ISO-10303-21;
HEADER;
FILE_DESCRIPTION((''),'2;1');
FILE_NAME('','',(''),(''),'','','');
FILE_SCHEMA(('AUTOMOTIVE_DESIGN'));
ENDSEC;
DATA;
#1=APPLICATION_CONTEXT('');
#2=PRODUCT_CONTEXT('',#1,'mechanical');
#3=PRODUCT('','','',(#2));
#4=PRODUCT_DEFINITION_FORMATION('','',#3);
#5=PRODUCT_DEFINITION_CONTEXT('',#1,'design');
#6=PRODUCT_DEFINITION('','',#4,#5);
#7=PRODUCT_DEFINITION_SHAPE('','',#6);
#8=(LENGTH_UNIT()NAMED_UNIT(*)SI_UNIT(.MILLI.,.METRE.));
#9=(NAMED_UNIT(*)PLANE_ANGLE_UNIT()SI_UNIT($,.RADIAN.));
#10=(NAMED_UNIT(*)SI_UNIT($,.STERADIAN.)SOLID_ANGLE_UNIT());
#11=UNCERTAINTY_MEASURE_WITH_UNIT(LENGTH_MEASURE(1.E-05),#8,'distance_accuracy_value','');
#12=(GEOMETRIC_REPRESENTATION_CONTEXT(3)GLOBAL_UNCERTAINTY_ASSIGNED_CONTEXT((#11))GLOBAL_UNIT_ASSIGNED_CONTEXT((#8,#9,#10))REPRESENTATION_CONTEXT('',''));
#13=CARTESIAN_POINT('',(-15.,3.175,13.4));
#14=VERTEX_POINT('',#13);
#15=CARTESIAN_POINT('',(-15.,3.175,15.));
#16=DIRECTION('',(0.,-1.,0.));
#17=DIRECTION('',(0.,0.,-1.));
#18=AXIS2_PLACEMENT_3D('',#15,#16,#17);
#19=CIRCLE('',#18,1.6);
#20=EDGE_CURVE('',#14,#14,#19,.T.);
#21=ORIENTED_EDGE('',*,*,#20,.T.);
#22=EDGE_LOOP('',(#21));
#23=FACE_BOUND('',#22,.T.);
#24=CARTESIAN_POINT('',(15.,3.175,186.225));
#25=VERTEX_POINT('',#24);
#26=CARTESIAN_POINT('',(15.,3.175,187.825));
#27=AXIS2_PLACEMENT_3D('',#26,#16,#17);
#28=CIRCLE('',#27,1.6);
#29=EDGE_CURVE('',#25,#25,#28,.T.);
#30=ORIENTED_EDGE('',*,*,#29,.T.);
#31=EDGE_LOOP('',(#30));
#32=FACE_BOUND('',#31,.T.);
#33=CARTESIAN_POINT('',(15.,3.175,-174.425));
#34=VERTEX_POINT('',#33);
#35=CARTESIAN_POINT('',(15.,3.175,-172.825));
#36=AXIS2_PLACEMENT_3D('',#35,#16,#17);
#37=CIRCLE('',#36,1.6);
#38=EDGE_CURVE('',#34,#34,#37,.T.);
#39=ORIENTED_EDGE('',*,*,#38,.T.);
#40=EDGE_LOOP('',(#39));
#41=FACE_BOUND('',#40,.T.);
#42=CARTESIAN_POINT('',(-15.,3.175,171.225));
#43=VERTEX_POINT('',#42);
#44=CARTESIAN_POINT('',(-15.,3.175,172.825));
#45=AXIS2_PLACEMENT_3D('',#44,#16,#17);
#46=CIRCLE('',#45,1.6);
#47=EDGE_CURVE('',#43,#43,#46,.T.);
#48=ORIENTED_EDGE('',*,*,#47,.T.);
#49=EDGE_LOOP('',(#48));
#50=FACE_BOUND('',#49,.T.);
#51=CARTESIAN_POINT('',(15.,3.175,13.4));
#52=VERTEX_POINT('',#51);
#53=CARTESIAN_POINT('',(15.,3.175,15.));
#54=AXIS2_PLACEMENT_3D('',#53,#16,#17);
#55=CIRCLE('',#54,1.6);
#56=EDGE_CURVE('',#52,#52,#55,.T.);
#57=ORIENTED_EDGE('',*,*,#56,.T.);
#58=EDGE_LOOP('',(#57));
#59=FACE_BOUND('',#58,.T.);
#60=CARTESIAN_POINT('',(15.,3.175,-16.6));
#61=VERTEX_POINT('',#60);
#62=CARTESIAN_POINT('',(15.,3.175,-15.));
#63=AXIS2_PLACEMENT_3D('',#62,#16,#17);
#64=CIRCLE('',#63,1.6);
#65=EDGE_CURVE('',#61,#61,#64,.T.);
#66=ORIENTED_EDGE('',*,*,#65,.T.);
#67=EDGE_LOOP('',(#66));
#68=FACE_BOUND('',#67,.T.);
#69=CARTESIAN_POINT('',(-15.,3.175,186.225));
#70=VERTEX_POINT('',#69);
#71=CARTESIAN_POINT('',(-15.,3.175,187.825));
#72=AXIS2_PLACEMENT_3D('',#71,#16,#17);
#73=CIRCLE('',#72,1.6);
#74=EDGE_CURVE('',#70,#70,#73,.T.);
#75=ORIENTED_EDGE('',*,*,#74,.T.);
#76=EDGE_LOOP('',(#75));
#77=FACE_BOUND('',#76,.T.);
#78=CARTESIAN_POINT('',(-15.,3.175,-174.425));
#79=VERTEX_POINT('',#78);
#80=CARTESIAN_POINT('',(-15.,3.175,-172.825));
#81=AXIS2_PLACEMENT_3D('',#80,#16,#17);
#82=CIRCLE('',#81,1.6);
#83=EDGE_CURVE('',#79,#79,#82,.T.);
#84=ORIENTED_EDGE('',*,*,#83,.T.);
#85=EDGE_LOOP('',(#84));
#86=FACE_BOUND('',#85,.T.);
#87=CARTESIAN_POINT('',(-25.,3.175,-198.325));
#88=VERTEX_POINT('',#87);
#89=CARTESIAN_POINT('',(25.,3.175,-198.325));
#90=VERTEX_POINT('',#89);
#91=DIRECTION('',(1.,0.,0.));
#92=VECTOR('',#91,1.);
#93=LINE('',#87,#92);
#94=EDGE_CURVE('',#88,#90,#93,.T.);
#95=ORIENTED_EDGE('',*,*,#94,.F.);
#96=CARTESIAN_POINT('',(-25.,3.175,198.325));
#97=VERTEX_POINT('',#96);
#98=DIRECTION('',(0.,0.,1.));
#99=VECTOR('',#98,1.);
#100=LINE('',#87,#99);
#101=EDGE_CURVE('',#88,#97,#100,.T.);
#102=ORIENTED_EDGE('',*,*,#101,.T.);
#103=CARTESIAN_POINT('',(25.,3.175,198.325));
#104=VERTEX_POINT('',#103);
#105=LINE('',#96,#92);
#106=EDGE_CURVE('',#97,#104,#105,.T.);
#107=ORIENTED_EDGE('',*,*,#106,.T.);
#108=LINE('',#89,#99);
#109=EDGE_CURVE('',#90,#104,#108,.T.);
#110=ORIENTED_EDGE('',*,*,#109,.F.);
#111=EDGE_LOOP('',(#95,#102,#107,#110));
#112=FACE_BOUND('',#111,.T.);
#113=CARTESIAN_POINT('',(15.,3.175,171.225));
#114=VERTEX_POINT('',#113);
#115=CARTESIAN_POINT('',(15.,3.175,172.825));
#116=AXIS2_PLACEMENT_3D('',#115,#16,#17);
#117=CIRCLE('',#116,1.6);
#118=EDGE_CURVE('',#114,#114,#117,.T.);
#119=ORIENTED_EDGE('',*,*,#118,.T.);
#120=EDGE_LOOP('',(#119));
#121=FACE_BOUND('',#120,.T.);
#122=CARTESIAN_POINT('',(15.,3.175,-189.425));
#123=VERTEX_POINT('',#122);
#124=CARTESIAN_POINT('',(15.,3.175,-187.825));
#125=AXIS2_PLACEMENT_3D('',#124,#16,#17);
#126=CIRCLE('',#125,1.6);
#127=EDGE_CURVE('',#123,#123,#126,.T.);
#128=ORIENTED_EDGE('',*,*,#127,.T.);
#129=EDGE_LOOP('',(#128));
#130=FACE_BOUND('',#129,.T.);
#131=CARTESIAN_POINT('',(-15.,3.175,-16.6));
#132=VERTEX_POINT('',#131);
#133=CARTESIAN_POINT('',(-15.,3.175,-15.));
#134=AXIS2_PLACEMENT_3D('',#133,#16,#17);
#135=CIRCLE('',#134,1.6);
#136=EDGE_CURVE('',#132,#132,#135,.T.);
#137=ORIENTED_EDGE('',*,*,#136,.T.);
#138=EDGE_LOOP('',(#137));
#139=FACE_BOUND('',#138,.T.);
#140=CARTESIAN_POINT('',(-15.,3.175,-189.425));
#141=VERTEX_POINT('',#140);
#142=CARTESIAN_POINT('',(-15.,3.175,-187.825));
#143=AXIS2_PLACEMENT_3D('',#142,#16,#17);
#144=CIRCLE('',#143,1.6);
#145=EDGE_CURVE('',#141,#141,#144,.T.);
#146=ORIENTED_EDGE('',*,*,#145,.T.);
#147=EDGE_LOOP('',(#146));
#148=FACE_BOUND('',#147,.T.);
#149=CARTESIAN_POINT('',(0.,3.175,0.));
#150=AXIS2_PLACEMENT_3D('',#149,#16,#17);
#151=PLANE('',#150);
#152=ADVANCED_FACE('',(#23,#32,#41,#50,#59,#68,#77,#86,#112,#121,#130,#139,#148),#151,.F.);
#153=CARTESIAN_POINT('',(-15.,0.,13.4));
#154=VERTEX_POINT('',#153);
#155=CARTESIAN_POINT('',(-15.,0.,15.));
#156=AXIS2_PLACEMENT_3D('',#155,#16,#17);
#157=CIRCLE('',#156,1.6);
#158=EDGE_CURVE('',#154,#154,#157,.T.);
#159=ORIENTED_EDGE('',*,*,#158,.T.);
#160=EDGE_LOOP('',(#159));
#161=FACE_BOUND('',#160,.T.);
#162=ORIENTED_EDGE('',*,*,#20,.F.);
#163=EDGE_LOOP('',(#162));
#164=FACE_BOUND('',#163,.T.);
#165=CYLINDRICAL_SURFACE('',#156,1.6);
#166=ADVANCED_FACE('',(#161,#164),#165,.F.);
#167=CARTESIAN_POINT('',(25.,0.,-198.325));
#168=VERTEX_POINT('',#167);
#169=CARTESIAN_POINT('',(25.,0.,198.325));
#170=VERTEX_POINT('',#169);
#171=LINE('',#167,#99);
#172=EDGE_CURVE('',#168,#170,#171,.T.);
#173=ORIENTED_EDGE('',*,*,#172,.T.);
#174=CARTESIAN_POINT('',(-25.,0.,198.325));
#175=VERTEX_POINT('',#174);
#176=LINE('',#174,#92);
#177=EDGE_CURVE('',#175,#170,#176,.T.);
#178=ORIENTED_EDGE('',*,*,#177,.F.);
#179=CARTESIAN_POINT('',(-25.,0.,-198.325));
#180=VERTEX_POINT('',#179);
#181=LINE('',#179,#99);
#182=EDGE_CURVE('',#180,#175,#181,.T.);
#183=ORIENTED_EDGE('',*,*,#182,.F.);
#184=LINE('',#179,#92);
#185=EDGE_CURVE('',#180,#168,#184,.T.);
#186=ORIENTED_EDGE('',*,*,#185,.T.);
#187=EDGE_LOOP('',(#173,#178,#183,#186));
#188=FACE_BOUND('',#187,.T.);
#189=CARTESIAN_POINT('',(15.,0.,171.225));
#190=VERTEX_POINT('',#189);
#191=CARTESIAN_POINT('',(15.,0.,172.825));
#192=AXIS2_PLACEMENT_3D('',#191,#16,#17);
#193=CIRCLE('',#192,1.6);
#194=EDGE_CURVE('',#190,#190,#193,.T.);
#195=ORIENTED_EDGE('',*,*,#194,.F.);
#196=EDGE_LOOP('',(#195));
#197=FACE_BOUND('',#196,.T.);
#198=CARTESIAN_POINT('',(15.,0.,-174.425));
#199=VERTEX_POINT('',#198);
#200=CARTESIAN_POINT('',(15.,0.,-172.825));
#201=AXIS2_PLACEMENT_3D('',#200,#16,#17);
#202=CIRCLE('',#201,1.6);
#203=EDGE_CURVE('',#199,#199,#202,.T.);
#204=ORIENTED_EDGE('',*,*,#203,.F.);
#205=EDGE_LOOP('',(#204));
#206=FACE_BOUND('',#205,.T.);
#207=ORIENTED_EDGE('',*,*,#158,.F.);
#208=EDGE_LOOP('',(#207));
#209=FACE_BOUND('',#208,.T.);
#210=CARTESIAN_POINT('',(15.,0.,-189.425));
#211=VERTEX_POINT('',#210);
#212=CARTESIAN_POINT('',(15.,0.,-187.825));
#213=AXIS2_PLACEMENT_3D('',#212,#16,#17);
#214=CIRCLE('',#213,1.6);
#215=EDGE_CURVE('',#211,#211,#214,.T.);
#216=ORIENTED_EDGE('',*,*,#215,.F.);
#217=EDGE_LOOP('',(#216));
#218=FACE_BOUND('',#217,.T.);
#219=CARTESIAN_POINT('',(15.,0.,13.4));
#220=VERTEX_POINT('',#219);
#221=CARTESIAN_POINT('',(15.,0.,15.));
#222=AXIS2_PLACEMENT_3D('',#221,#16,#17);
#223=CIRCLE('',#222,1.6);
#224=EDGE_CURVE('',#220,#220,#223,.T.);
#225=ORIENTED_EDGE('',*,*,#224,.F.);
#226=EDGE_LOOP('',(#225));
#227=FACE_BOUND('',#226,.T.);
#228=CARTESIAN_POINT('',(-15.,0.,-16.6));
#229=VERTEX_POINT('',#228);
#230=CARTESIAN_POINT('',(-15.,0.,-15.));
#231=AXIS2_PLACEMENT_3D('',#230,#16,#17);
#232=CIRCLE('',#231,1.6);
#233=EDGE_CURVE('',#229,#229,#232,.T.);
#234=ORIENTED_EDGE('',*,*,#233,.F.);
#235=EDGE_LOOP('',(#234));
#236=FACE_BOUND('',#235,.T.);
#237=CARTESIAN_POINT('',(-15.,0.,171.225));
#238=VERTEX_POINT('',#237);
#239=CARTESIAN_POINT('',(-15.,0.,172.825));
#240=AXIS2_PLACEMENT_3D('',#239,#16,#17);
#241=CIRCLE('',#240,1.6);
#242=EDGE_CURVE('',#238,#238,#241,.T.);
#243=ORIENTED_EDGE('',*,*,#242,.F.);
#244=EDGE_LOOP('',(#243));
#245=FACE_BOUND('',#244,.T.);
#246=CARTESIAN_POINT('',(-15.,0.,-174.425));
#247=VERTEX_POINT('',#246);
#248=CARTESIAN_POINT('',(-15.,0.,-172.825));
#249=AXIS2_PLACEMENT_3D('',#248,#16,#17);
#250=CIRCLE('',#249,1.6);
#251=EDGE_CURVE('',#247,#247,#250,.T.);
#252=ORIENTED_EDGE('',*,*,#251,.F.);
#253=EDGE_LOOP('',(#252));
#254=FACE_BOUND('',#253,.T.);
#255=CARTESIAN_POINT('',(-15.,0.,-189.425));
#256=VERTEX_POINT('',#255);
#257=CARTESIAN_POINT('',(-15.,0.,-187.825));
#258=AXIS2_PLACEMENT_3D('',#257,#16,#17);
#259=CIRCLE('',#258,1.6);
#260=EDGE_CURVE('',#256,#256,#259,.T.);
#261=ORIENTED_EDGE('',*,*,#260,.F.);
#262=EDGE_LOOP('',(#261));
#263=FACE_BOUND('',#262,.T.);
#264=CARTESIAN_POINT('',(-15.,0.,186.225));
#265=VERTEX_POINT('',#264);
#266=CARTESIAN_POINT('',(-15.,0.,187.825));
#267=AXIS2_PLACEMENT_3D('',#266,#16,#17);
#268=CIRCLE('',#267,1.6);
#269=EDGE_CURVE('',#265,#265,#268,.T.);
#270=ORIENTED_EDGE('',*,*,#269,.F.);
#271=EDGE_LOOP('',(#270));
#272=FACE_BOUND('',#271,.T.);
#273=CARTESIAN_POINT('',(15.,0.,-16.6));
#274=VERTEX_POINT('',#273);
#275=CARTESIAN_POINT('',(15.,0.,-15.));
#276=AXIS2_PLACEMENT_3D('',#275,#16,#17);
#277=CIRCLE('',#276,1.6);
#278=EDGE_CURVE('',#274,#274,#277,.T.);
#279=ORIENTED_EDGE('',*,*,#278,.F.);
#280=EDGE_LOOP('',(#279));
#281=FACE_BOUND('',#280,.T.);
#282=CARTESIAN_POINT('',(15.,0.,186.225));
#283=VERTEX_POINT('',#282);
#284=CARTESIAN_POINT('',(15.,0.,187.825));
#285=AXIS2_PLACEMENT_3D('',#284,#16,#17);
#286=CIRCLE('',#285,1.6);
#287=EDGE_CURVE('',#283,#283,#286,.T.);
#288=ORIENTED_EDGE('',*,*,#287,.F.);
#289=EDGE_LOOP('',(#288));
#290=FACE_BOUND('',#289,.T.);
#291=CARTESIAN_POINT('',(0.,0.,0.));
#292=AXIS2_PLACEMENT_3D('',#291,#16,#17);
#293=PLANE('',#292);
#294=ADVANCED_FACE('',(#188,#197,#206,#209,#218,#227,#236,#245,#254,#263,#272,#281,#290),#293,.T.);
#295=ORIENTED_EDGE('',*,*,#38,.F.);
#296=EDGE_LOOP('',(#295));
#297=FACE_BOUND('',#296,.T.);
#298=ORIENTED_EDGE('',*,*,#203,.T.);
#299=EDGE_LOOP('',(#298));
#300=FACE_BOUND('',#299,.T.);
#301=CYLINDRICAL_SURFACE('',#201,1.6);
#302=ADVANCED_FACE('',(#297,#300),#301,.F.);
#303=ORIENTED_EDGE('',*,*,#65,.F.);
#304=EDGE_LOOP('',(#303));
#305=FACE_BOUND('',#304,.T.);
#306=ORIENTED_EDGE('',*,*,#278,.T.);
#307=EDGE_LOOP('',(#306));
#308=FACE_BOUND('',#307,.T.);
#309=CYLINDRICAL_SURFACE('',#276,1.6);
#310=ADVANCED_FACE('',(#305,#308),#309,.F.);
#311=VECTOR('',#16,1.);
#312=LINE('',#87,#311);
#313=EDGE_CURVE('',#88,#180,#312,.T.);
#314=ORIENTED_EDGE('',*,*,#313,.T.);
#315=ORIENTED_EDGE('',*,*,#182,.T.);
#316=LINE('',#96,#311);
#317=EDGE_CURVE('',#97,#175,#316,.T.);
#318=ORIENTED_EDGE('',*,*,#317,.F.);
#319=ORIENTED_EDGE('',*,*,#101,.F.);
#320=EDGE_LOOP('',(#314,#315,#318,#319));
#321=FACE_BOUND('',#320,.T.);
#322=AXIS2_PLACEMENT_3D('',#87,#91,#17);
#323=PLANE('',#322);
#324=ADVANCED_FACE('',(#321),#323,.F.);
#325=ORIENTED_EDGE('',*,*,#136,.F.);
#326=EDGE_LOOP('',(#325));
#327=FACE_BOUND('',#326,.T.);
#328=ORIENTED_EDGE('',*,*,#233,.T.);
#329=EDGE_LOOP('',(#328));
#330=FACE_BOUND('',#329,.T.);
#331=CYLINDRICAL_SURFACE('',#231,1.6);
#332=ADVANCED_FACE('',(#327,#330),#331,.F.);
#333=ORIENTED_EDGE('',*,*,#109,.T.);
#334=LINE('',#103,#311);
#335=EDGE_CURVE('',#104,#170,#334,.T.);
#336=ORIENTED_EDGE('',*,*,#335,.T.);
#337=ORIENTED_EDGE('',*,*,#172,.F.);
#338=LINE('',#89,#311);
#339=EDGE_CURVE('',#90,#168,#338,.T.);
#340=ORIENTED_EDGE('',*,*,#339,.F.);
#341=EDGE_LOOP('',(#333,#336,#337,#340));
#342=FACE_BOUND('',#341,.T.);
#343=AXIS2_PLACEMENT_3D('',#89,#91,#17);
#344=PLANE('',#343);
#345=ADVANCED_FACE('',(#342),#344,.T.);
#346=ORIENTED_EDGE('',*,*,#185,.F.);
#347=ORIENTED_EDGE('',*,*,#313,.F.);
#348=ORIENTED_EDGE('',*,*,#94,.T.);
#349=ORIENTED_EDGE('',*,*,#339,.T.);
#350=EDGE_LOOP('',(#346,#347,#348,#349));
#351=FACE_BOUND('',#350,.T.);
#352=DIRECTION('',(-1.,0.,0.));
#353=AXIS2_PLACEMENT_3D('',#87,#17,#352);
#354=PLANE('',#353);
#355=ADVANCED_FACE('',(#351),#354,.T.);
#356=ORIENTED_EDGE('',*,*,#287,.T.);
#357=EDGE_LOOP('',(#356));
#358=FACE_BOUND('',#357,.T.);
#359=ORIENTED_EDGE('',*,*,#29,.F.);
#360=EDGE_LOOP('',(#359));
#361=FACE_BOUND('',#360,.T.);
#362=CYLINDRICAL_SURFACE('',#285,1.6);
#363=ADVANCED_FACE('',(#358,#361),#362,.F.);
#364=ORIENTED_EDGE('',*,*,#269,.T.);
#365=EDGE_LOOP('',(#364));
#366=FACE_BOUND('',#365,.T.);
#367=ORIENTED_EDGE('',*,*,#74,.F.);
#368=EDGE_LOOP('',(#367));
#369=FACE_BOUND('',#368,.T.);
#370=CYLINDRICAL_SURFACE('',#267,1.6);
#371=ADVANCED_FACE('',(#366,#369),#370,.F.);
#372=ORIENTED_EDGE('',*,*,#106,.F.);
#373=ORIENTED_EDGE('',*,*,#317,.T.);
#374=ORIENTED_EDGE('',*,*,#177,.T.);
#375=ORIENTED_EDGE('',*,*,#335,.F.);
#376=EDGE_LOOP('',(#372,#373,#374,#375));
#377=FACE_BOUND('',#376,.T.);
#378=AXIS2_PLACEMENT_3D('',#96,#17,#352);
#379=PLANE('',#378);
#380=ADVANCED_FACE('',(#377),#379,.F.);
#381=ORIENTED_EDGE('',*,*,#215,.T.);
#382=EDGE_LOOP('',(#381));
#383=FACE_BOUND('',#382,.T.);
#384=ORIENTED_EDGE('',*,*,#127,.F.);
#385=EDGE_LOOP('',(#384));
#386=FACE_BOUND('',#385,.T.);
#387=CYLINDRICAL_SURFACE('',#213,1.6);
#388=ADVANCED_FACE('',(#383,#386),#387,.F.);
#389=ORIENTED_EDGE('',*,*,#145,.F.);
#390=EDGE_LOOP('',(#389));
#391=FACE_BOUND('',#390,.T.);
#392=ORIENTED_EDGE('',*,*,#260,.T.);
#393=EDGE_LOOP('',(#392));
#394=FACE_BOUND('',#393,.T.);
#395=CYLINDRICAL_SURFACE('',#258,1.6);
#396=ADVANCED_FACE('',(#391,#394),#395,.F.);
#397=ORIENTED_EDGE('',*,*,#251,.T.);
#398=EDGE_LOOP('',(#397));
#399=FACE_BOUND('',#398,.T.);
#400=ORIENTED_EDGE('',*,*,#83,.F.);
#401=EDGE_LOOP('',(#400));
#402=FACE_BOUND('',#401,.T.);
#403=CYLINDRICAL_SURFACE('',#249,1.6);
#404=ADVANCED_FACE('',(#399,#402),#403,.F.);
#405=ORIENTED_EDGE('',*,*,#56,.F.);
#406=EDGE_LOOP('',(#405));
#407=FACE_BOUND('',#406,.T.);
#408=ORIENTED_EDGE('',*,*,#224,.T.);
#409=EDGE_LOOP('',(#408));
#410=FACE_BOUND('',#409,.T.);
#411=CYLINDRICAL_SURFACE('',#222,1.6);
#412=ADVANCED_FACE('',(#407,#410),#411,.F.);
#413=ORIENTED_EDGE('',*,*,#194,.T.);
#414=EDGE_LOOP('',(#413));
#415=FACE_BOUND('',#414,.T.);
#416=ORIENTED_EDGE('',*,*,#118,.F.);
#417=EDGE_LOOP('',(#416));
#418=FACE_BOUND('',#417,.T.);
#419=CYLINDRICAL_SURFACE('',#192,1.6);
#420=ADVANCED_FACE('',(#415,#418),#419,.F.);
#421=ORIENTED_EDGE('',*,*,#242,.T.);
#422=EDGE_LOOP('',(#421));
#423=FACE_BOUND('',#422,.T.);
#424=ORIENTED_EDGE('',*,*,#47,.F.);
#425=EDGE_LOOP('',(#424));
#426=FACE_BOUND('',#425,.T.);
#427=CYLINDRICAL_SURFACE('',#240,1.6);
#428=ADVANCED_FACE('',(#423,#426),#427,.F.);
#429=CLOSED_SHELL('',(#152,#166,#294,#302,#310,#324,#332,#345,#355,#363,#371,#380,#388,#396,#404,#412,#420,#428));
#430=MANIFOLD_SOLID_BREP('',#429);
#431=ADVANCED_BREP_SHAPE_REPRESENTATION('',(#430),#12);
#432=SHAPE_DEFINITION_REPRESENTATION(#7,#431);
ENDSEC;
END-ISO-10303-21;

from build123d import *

# Parameters (mm, degrees)
SKETCH1_W            = 50
SKETCH1_H            = 396.65
BOSS_EXTRUDE1_DEPTH  = 3.175
M3_CLEARANCE_HOLE1_D = 3.2
M3_CLEARANCE_HOLE2_D = 3.2


with BuildPart() as part:
    # Sketch1 → Boss-Extrude1 (new body)
    with BuildSketch(Plane(origin=(0, 0, 0), x_dir=(1, 0, 0), z_dir=(0, 1, 0))):
        Rectangle(SKETCH1_W, SKETCH1_H)
    extrude(amount=BOSS_EXTRUDE1_DEPTH)

    # M3 Clearance Hole1 (through all)
    with Locations(Plane(origin=(0, 0, 0), x_dir=(-1, 0, 0), z_dir=(0, -1, 0))):
        with Locations((15, -187.825), (-15, -172.825), (-15, -187.825), (15, -172.825)):
            m3_clearance_hole1 = Hole(M3_CLEARANCE_HOLE1_D / 2)

    # Mirror1: M3 Clearance Hole1 across plane
    add(m3_clearance_hole1.mirror(Plane.XY), mode=Mode.SUBTRACT)

    # M3 Clearance Hole2 (through all)
    with Locations(Plane(origin=(0, 0, 0), x_dir=(-1, 0, 0), z_dir=(0, -1, 0))):
        with Locations((15, -15), (-15, 15), (-15, -15), (15, 15)):
            Hole(M3_CLEARANCE_HOLE2_D / 2)


solid = part.part
